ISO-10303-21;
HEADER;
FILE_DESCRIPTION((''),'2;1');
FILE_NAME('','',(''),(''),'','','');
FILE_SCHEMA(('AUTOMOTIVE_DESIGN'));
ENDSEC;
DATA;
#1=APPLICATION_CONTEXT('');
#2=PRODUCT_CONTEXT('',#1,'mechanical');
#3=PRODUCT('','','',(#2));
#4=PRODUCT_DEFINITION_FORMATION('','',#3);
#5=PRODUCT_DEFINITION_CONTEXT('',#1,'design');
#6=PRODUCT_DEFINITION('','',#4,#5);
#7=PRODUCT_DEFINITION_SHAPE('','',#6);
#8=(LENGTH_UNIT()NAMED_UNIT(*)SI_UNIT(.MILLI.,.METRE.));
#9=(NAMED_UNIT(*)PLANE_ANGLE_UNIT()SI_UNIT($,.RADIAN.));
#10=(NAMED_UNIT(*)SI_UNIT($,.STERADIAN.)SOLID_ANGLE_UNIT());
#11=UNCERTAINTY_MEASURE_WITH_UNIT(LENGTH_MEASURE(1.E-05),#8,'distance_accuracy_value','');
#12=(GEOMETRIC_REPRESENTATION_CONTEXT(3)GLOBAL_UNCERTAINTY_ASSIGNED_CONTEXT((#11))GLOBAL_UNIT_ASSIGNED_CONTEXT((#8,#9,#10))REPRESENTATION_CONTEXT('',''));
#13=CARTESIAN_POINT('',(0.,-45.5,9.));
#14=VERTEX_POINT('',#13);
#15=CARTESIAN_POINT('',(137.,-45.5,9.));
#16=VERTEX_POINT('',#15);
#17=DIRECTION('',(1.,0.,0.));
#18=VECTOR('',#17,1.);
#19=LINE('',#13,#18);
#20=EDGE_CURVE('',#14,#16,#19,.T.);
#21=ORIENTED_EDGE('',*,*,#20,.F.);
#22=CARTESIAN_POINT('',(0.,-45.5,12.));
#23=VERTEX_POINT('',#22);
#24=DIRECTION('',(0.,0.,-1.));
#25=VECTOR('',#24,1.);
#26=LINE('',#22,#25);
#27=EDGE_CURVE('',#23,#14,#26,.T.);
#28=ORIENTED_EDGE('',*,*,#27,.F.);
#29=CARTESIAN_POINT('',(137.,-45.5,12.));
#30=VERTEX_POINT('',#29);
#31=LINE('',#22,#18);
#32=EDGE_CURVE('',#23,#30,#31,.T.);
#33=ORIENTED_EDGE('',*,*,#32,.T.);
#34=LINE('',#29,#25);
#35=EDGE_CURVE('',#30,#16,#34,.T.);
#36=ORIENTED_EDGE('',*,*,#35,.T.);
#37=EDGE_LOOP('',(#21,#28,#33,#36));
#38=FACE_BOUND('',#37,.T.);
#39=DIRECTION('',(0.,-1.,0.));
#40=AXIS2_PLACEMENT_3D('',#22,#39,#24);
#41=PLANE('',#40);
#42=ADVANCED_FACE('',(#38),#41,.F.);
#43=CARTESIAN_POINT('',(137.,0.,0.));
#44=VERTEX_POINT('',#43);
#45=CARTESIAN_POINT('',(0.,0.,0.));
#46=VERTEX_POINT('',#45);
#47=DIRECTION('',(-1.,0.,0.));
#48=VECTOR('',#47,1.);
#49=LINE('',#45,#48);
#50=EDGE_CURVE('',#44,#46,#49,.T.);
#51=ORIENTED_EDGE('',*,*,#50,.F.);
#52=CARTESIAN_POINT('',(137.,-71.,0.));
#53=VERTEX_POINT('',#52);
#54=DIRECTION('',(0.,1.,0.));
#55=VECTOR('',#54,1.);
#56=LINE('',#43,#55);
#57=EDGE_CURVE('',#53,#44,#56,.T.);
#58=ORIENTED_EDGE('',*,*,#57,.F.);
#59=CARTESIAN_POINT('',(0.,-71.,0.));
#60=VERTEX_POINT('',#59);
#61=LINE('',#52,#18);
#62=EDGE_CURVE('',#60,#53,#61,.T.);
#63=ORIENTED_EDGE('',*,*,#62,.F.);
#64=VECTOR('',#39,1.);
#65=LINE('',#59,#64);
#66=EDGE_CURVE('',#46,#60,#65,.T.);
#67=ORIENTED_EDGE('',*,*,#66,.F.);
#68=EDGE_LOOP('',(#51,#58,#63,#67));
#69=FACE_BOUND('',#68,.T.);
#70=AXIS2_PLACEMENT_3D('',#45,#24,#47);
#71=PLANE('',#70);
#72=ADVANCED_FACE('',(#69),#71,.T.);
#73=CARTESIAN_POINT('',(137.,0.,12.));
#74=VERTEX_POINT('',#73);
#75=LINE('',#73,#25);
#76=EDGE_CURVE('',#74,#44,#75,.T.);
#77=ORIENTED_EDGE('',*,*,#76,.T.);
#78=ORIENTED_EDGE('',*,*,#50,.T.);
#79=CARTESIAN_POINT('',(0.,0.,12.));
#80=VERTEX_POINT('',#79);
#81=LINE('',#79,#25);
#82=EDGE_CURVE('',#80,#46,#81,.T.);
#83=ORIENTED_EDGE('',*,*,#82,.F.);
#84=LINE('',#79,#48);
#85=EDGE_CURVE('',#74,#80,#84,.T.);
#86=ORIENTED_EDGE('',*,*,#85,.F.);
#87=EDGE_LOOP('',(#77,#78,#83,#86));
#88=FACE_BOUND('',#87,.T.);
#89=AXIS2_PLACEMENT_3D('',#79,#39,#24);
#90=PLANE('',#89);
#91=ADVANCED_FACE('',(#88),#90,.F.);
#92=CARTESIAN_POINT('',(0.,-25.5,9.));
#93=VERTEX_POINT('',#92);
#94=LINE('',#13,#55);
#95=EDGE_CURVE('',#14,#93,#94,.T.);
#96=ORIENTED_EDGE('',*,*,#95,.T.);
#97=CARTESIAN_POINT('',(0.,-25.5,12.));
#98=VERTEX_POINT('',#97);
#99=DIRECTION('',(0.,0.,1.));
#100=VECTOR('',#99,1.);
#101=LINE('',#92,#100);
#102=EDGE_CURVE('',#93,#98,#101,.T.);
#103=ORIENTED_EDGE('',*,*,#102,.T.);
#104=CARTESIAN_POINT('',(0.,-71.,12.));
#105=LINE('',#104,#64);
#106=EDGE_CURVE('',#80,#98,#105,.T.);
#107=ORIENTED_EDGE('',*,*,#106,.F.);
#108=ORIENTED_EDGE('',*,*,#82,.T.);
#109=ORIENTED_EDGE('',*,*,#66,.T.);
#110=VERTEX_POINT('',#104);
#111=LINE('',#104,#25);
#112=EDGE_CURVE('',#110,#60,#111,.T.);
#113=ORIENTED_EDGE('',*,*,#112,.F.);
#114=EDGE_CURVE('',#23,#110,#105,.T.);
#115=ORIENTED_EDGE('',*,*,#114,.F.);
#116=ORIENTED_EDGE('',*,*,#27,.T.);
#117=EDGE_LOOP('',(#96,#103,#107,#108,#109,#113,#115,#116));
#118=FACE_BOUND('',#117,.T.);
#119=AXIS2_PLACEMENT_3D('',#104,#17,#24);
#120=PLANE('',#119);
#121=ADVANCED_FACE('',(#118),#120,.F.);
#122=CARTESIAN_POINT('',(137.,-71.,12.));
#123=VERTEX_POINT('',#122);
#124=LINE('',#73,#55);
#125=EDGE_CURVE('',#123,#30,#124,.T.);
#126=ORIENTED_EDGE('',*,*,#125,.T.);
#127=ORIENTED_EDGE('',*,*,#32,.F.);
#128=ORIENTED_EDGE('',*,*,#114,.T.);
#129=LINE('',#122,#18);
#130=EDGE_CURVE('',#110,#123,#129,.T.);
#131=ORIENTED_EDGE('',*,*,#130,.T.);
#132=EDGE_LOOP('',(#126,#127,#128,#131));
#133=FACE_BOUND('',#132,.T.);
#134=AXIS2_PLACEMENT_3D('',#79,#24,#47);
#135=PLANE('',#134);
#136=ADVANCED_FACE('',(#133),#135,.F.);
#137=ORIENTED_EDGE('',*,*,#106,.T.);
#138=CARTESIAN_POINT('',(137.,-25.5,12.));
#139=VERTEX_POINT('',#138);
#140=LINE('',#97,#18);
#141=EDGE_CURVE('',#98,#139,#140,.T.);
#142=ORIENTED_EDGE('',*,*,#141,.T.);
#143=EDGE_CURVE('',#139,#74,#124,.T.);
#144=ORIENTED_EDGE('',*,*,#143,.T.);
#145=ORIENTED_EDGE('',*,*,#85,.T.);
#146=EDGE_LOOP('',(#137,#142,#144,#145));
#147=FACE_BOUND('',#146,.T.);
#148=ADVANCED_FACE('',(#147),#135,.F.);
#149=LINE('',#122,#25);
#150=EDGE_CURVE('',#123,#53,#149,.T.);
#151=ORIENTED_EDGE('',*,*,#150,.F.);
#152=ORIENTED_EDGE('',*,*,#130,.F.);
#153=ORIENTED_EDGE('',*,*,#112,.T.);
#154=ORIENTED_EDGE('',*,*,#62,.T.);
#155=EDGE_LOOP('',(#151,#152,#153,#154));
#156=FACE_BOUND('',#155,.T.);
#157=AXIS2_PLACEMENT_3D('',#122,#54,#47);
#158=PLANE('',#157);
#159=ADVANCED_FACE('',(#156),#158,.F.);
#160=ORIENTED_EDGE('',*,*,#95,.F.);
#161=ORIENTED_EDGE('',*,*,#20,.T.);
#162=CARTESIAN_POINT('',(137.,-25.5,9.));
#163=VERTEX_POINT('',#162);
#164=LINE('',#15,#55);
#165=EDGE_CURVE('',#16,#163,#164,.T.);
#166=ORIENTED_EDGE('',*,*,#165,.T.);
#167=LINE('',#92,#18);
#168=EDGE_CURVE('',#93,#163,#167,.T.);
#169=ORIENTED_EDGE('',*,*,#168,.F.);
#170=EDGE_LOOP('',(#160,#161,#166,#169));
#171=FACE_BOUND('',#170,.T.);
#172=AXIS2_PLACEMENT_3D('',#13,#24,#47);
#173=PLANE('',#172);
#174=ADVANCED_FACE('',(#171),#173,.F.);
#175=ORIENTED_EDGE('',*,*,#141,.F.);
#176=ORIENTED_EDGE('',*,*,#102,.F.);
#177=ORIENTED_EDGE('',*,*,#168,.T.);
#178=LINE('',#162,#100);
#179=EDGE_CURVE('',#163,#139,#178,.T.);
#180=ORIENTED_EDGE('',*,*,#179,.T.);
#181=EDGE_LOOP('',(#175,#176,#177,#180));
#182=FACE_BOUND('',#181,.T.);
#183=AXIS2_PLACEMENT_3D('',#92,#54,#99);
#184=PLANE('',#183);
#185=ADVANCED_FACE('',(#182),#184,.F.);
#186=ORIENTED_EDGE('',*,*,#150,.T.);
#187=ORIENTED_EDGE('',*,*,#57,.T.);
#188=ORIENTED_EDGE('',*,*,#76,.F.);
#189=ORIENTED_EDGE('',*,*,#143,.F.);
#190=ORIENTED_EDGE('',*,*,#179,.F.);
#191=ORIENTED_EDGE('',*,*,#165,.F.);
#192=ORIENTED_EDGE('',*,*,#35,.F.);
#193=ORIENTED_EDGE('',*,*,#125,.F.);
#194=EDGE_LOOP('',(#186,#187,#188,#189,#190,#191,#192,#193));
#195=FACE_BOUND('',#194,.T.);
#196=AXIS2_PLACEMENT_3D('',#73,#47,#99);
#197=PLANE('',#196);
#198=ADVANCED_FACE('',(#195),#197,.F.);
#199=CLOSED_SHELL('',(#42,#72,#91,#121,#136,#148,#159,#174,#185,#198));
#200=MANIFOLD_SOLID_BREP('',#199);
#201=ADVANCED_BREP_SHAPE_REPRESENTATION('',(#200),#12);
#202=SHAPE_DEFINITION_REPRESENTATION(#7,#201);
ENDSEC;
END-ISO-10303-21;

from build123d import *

# Parameters (mm, degrees)
ESQUISSE1_W      = 137
ESQUISSE1_H      = 71
EXTRUSION1_DEPTH = 12
ESQUISSE2_W      = 3
ESQUISSE2_H      = 20
EXTRUSION2_DEPTH = 138


with BuildPart() as part:
    # Esquisse1 → Extrusion1 (new body)
    with BuildSketch(Plane.XY):
        with Locations((68.5, -35.5)):
            Rectangle(ESQUISSE1_W, ESQUISSE1_H)
    extrude(amount=EXTRUSION1_DEPTH)

    # Esquisse2 → Extrusion2 (cut, through all)
    with BuildSketch(Plane(origin=(137, 0, 0), x_dir=(0, 0, -1), z_dir=(1, 0, 0))):
        with Locations((-10.5, -35.5)):
            Rectangle(ESQUISSE2_W, ESQUISSE2_H)
    extrude(amount=-EXTRUSION2_DEPTH, mode=Mode.SUBTRACT)


solid = part.part
